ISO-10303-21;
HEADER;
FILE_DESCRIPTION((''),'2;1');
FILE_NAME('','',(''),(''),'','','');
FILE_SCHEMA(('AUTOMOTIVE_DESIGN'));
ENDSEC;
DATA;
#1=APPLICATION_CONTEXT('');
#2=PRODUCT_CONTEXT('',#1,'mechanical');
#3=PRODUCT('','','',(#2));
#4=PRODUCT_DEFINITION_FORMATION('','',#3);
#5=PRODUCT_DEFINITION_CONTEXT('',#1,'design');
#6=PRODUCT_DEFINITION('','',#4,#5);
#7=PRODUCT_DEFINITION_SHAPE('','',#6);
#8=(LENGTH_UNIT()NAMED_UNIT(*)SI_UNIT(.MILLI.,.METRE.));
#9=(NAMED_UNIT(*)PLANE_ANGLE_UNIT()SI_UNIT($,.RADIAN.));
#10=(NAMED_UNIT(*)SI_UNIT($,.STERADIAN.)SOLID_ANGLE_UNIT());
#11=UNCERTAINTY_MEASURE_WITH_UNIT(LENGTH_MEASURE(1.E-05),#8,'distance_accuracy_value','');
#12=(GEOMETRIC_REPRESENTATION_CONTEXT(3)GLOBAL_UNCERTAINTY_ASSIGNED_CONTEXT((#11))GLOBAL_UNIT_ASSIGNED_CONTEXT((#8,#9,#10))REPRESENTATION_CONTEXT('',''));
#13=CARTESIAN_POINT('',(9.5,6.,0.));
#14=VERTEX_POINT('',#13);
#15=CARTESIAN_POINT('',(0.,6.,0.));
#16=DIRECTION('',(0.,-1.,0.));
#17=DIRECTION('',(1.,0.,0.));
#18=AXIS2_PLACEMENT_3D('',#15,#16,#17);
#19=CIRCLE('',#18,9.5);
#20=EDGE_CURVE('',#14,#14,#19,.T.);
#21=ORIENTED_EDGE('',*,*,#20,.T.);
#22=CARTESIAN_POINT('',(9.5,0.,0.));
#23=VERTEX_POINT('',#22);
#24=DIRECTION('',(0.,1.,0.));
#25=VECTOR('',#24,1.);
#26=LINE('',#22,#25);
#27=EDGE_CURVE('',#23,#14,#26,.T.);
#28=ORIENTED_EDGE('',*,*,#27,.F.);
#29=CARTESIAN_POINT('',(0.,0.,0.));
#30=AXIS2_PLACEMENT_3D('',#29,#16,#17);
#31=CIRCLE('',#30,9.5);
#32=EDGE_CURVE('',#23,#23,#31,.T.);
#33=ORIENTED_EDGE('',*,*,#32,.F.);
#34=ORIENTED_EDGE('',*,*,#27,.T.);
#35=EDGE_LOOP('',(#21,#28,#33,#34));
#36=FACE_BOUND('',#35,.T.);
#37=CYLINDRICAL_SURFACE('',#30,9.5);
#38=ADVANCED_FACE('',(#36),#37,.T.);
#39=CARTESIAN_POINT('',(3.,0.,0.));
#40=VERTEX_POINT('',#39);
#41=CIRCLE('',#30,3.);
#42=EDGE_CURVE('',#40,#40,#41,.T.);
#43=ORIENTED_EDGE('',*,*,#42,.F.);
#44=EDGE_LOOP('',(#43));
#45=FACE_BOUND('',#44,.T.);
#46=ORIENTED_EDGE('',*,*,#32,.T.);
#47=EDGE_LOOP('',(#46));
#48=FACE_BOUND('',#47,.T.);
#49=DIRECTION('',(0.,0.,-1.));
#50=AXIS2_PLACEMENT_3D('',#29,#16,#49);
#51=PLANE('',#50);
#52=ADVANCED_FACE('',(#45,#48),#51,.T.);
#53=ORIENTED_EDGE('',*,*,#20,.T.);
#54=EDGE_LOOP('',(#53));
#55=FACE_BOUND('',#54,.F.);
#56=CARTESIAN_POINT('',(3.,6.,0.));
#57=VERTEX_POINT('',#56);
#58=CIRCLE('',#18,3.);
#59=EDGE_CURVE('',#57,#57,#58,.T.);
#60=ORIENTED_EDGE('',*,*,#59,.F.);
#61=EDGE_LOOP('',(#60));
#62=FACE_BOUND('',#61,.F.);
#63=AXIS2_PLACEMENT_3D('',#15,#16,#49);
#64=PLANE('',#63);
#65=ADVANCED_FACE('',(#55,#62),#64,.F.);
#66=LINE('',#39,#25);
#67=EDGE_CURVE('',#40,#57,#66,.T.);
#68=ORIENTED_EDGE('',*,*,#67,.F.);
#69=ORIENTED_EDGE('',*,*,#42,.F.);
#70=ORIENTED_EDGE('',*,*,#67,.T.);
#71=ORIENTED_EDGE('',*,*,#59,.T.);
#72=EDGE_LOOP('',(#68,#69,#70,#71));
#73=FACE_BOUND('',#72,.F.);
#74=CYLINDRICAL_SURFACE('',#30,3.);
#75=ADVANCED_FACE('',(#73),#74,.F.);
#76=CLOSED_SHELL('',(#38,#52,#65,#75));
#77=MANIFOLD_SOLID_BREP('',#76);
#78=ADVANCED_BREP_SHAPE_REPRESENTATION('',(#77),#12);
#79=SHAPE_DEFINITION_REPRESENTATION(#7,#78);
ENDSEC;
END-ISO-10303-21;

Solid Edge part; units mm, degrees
sketch "Sketch1" plane through (0, 0, 0) normal (0, -1, 0) x (1, 0, 0)
  circle A0 centre (0, 0) radius 3
  circle A1 centre (0, 0) radius 9.5
  dimension "D1" = 6
  dimension "D2" = 19
extrude "Protrusion1" add sketch "Sketch1" against normal blind 6
properties material "Galvanized steel"
